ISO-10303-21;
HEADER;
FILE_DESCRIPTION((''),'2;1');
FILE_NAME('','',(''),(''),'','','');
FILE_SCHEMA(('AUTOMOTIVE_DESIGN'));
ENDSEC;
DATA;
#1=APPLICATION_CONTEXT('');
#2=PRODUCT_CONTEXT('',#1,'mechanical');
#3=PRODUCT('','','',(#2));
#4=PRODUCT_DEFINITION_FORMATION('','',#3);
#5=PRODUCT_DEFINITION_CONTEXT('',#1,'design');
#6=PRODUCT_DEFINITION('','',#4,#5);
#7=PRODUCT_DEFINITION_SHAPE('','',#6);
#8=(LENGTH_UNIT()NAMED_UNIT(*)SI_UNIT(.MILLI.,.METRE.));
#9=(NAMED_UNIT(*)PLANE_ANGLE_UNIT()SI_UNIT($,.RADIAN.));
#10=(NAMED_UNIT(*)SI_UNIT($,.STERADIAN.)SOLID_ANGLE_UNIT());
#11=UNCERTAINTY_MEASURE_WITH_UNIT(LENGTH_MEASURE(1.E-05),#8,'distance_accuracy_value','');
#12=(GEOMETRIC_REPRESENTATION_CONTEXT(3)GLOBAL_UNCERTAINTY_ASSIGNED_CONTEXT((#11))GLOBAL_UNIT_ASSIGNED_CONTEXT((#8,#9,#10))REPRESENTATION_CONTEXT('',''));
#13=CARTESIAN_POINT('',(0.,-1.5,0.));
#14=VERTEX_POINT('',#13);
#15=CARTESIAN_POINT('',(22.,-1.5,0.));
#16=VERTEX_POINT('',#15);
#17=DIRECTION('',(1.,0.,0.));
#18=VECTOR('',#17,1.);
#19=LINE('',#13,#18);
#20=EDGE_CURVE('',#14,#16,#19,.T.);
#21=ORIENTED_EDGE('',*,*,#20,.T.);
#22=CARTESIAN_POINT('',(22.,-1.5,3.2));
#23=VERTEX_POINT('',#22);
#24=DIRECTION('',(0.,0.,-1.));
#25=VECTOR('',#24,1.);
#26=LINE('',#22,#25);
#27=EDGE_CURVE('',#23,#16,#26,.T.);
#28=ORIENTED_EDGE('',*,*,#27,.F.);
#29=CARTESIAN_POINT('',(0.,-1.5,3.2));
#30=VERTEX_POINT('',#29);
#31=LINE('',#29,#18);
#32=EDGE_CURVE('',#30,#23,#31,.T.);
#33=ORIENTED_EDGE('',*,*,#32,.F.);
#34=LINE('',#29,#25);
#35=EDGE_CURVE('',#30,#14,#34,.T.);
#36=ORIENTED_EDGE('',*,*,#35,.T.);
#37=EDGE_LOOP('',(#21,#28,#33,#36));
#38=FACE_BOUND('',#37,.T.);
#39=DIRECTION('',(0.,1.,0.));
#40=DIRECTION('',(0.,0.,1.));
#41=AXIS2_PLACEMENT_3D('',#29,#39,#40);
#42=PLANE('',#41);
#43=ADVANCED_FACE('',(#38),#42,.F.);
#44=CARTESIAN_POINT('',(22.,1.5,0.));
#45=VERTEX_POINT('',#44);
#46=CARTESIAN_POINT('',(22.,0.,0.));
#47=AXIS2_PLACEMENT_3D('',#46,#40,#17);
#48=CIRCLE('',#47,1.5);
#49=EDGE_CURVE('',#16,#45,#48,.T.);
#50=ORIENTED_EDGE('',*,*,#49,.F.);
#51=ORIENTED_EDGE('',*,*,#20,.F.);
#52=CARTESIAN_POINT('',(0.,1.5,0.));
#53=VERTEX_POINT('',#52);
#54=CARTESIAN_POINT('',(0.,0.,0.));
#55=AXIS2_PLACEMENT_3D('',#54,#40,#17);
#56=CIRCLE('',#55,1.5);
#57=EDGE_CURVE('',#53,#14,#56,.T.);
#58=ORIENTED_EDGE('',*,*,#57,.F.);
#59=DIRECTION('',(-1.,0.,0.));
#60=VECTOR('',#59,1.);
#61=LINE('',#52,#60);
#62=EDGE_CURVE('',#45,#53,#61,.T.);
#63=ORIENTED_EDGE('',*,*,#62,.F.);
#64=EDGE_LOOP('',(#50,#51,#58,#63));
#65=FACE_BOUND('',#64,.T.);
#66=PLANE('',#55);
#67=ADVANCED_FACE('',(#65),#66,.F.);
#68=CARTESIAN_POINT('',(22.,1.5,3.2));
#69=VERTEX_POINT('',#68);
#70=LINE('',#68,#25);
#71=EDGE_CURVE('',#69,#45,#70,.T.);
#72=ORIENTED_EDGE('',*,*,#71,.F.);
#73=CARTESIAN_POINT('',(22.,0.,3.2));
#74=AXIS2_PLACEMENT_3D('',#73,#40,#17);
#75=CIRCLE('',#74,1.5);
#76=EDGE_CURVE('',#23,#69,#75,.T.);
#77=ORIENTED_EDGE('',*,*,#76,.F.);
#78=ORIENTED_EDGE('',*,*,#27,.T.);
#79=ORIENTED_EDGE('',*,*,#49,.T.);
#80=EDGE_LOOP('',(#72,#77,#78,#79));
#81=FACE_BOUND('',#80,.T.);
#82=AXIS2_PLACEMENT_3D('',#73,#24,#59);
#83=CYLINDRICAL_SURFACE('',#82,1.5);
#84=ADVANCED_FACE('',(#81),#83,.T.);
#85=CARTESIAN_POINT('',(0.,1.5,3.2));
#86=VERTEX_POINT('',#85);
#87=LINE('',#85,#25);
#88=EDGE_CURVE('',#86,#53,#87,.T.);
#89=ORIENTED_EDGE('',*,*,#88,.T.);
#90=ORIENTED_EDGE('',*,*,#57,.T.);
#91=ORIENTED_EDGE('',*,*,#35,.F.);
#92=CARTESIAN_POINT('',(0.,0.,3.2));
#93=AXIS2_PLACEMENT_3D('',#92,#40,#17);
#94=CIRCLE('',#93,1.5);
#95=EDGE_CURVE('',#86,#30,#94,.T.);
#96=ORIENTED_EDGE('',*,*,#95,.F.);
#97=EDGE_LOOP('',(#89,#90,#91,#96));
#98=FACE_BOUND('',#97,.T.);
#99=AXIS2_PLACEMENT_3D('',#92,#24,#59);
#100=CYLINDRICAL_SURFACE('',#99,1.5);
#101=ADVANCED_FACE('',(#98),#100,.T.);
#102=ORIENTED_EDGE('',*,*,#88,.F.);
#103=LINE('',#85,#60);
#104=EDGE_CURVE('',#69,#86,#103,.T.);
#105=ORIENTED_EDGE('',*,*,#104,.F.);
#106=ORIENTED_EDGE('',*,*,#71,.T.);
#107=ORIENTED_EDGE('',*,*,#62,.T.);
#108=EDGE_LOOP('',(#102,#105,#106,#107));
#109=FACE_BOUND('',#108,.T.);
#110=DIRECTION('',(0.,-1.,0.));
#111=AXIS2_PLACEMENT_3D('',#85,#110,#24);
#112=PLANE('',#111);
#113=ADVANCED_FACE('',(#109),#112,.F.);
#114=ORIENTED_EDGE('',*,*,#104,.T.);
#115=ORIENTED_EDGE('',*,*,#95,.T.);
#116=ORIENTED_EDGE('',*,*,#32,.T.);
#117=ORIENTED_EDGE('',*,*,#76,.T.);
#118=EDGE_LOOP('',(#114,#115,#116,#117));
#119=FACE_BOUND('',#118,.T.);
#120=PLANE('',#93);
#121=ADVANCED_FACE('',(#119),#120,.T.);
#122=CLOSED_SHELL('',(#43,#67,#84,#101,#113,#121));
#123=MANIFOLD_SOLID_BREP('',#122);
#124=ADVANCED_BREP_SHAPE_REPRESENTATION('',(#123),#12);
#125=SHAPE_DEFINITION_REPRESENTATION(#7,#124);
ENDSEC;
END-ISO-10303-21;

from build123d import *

# Parameters (mm, degrees)
ESTRUSIONE_ESTRUSIONE1_DEPTH = 3.2


with BuildPart() as part:
    # Schizzo1 → Estrusione-Estrusione1 (new body)
    with BuildSketch(Plane.XY):
        with BuildLine():
            Line((0, 1.5), (22, 1.5))
            ThreePointArc((22, 1.5), (23.5, 0), (22, -1.5))
            Line((22, -1.5), (0, -1.5))
            ThreePointArc((0, -1.5), (-1.5, 0), (0, 1.5))
        make_face()
    extrude(amount=ESTRUSIONE_ESTRUSIONE1_DEPTH)


solid = part.part
